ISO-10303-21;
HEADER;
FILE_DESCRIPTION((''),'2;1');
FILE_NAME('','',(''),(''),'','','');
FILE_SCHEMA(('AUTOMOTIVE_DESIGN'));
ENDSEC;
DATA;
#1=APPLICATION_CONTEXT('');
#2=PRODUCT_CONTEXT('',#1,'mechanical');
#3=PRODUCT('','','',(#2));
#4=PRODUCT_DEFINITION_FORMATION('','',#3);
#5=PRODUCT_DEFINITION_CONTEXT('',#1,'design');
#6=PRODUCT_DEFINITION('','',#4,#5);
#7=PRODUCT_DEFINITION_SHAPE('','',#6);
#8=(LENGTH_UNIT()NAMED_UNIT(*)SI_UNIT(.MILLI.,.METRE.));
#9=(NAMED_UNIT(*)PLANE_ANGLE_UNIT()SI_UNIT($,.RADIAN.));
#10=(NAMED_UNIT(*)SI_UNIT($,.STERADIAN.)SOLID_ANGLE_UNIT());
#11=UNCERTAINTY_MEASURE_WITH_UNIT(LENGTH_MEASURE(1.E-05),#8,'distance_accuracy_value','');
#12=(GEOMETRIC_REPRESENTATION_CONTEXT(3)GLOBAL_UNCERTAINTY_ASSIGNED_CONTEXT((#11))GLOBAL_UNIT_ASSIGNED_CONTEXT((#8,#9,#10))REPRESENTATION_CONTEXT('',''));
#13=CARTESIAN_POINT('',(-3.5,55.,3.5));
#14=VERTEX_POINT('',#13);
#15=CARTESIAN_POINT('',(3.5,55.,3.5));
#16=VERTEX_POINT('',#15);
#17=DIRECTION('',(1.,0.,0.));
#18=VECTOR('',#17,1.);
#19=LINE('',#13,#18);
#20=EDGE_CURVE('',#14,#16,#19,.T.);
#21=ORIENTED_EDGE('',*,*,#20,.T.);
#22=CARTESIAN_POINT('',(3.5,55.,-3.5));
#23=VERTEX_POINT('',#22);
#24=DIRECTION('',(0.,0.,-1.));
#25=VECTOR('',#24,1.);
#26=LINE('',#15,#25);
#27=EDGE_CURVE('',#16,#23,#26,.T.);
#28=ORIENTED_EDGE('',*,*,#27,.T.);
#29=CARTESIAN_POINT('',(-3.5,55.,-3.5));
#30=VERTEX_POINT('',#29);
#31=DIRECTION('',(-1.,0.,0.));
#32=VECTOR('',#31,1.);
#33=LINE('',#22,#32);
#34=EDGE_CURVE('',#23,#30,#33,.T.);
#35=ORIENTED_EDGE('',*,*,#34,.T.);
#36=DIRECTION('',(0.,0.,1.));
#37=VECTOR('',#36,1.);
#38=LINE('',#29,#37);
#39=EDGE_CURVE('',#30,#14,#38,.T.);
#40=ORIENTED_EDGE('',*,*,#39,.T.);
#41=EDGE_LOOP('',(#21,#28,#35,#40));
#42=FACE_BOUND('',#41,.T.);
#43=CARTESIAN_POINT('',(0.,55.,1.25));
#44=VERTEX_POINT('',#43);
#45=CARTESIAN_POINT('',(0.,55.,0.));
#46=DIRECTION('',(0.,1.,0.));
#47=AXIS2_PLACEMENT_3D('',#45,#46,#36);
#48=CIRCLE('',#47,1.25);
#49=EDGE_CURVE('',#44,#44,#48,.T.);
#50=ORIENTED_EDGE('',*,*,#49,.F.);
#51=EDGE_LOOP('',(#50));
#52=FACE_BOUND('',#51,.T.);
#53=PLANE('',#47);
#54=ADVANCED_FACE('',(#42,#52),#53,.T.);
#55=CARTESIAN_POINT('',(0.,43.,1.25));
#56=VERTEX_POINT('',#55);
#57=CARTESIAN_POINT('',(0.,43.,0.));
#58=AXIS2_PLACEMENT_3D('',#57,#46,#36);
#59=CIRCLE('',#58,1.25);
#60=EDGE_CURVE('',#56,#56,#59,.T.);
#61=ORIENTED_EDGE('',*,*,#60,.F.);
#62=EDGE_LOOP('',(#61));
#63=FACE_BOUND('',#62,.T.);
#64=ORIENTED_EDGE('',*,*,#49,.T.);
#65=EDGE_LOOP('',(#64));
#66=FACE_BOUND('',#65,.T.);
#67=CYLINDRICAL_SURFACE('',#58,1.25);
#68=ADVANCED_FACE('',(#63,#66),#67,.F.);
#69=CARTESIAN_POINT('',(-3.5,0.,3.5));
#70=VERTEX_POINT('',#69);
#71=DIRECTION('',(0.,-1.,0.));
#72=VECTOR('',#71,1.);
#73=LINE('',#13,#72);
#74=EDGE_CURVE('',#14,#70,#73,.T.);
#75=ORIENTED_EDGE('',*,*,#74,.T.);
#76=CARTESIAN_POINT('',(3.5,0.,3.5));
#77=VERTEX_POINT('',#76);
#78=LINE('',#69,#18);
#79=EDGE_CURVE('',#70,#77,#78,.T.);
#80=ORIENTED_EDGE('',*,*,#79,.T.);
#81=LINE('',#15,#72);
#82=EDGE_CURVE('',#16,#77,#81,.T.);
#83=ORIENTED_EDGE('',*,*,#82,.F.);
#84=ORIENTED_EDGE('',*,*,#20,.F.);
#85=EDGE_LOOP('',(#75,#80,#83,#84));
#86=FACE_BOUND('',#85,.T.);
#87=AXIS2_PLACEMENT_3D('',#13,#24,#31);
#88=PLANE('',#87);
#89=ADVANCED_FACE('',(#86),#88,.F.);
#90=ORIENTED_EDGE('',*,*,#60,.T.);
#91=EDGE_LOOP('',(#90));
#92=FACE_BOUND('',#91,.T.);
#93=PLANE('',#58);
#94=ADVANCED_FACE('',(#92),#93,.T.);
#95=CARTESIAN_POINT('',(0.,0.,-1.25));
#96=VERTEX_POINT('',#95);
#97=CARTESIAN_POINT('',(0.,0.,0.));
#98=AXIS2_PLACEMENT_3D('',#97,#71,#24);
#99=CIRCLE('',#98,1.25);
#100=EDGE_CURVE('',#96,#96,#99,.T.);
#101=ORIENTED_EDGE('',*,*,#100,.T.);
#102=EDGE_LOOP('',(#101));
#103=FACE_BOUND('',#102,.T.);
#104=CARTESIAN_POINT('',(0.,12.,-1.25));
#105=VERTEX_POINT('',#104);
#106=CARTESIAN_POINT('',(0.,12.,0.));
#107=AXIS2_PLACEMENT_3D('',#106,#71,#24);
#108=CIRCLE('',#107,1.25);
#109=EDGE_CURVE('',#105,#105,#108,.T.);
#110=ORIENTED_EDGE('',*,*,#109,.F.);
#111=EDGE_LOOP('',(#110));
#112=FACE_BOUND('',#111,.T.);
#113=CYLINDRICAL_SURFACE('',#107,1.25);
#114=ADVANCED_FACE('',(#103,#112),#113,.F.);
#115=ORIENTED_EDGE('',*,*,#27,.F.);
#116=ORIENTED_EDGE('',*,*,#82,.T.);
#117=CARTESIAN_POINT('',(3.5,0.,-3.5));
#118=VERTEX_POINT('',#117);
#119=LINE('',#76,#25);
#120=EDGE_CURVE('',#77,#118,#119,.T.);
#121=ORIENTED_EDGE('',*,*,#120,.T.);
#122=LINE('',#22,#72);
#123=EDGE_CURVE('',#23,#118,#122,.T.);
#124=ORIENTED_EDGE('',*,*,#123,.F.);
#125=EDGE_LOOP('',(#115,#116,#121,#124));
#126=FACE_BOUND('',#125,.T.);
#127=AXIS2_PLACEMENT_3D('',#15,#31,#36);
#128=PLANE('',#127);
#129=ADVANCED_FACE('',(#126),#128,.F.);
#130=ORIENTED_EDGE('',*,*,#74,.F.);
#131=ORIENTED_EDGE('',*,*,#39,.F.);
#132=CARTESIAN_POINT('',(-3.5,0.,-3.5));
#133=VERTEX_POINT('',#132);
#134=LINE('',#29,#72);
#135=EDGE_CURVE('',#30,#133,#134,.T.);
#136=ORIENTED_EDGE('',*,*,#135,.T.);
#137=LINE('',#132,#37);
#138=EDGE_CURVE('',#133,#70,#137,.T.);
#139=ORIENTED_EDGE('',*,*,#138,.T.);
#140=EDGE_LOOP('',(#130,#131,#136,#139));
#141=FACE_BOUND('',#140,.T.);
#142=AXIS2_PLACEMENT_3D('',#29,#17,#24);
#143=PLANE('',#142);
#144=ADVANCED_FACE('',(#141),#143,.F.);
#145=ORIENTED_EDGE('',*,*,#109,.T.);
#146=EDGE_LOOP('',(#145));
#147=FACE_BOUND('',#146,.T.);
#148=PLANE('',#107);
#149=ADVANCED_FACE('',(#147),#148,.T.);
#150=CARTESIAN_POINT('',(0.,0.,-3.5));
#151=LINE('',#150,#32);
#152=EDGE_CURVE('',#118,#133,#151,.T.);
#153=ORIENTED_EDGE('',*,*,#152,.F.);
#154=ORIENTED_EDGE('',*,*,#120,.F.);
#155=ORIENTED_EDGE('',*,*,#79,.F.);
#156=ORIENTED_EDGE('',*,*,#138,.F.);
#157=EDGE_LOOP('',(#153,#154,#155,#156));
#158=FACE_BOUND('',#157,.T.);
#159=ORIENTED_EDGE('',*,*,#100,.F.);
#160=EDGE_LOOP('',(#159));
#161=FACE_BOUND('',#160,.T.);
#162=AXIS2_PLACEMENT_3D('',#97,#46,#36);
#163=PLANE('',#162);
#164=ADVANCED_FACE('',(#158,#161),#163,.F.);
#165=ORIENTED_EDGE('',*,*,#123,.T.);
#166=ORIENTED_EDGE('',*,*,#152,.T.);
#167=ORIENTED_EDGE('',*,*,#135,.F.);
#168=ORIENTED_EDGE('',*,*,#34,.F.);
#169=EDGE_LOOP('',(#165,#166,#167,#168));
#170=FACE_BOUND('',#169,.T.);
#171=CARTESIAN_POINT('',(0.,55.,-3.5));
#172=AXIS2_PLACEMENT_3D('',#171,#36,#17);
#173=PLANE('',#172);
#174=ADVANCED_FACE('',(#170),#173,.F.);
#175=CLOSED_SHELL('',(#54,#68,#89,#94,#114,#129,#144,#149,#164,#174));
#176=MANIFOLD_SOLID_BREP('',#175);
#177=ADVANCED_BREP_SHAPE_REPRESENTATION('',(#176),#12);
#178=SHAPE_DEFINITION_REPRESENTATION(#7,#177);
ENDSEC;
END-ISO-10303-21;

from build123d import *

# Parameters (mm, degrees)
BOSS_EXTRUDE1_DEPTH = 55
SKETCH2_R           = 1.25
CUT_EXTRUDE1_DEPTH  = 12
CUT_EXTRUDE2_START  = -12
SKETCH3_R           = 1.25
CUT_EXTRUDE2_DEPTH  = 12


with BuildPart() as part:
    # Sketch1 → Boss-Extrude1 (new body)
    with BuildSketch(Plane(origin=(0, 0, 0), x_dir=(1, 0, 0), z_dir=(0, 1, 0))):
        Polygon((0, 3.5), (-3.5, 3.5), (-3.5, -3.5), (3.5, -3.5), (3.5, 3.5), align=None)
    extrude(amount=BOSS_EXTRUDE1_DEPTH)

    # Sketch2 → Cut-Extrude1 (cut)
    with BuildSketch(Plane(origin=(0, 55, 0), x_dir=(1, 0, 0), z_dir=(0, 1, 0))):
        with Locations(Location((0, 0, 0), (0, 0, 270))):
            Circle(SKETCH2_R)
    extrude(amount=-CUT_EXTRUDE1_DEPTH, mode=Mode.SUBTRACT)

    # Sketch3 → Cut-Extrude2 (cut)
    with BuildSketch(Plane.XZ.offset(CUT_EXTRUDE2_START)):
        with Locations(Location((0, 0, 0), (0, 0, 90))):
            Circle(SKETCH3_R)
    extrude(amount=CUT_EXTRUDE2_DEPTH, mode=Mode.SUBTRACT)


solid = part.part
